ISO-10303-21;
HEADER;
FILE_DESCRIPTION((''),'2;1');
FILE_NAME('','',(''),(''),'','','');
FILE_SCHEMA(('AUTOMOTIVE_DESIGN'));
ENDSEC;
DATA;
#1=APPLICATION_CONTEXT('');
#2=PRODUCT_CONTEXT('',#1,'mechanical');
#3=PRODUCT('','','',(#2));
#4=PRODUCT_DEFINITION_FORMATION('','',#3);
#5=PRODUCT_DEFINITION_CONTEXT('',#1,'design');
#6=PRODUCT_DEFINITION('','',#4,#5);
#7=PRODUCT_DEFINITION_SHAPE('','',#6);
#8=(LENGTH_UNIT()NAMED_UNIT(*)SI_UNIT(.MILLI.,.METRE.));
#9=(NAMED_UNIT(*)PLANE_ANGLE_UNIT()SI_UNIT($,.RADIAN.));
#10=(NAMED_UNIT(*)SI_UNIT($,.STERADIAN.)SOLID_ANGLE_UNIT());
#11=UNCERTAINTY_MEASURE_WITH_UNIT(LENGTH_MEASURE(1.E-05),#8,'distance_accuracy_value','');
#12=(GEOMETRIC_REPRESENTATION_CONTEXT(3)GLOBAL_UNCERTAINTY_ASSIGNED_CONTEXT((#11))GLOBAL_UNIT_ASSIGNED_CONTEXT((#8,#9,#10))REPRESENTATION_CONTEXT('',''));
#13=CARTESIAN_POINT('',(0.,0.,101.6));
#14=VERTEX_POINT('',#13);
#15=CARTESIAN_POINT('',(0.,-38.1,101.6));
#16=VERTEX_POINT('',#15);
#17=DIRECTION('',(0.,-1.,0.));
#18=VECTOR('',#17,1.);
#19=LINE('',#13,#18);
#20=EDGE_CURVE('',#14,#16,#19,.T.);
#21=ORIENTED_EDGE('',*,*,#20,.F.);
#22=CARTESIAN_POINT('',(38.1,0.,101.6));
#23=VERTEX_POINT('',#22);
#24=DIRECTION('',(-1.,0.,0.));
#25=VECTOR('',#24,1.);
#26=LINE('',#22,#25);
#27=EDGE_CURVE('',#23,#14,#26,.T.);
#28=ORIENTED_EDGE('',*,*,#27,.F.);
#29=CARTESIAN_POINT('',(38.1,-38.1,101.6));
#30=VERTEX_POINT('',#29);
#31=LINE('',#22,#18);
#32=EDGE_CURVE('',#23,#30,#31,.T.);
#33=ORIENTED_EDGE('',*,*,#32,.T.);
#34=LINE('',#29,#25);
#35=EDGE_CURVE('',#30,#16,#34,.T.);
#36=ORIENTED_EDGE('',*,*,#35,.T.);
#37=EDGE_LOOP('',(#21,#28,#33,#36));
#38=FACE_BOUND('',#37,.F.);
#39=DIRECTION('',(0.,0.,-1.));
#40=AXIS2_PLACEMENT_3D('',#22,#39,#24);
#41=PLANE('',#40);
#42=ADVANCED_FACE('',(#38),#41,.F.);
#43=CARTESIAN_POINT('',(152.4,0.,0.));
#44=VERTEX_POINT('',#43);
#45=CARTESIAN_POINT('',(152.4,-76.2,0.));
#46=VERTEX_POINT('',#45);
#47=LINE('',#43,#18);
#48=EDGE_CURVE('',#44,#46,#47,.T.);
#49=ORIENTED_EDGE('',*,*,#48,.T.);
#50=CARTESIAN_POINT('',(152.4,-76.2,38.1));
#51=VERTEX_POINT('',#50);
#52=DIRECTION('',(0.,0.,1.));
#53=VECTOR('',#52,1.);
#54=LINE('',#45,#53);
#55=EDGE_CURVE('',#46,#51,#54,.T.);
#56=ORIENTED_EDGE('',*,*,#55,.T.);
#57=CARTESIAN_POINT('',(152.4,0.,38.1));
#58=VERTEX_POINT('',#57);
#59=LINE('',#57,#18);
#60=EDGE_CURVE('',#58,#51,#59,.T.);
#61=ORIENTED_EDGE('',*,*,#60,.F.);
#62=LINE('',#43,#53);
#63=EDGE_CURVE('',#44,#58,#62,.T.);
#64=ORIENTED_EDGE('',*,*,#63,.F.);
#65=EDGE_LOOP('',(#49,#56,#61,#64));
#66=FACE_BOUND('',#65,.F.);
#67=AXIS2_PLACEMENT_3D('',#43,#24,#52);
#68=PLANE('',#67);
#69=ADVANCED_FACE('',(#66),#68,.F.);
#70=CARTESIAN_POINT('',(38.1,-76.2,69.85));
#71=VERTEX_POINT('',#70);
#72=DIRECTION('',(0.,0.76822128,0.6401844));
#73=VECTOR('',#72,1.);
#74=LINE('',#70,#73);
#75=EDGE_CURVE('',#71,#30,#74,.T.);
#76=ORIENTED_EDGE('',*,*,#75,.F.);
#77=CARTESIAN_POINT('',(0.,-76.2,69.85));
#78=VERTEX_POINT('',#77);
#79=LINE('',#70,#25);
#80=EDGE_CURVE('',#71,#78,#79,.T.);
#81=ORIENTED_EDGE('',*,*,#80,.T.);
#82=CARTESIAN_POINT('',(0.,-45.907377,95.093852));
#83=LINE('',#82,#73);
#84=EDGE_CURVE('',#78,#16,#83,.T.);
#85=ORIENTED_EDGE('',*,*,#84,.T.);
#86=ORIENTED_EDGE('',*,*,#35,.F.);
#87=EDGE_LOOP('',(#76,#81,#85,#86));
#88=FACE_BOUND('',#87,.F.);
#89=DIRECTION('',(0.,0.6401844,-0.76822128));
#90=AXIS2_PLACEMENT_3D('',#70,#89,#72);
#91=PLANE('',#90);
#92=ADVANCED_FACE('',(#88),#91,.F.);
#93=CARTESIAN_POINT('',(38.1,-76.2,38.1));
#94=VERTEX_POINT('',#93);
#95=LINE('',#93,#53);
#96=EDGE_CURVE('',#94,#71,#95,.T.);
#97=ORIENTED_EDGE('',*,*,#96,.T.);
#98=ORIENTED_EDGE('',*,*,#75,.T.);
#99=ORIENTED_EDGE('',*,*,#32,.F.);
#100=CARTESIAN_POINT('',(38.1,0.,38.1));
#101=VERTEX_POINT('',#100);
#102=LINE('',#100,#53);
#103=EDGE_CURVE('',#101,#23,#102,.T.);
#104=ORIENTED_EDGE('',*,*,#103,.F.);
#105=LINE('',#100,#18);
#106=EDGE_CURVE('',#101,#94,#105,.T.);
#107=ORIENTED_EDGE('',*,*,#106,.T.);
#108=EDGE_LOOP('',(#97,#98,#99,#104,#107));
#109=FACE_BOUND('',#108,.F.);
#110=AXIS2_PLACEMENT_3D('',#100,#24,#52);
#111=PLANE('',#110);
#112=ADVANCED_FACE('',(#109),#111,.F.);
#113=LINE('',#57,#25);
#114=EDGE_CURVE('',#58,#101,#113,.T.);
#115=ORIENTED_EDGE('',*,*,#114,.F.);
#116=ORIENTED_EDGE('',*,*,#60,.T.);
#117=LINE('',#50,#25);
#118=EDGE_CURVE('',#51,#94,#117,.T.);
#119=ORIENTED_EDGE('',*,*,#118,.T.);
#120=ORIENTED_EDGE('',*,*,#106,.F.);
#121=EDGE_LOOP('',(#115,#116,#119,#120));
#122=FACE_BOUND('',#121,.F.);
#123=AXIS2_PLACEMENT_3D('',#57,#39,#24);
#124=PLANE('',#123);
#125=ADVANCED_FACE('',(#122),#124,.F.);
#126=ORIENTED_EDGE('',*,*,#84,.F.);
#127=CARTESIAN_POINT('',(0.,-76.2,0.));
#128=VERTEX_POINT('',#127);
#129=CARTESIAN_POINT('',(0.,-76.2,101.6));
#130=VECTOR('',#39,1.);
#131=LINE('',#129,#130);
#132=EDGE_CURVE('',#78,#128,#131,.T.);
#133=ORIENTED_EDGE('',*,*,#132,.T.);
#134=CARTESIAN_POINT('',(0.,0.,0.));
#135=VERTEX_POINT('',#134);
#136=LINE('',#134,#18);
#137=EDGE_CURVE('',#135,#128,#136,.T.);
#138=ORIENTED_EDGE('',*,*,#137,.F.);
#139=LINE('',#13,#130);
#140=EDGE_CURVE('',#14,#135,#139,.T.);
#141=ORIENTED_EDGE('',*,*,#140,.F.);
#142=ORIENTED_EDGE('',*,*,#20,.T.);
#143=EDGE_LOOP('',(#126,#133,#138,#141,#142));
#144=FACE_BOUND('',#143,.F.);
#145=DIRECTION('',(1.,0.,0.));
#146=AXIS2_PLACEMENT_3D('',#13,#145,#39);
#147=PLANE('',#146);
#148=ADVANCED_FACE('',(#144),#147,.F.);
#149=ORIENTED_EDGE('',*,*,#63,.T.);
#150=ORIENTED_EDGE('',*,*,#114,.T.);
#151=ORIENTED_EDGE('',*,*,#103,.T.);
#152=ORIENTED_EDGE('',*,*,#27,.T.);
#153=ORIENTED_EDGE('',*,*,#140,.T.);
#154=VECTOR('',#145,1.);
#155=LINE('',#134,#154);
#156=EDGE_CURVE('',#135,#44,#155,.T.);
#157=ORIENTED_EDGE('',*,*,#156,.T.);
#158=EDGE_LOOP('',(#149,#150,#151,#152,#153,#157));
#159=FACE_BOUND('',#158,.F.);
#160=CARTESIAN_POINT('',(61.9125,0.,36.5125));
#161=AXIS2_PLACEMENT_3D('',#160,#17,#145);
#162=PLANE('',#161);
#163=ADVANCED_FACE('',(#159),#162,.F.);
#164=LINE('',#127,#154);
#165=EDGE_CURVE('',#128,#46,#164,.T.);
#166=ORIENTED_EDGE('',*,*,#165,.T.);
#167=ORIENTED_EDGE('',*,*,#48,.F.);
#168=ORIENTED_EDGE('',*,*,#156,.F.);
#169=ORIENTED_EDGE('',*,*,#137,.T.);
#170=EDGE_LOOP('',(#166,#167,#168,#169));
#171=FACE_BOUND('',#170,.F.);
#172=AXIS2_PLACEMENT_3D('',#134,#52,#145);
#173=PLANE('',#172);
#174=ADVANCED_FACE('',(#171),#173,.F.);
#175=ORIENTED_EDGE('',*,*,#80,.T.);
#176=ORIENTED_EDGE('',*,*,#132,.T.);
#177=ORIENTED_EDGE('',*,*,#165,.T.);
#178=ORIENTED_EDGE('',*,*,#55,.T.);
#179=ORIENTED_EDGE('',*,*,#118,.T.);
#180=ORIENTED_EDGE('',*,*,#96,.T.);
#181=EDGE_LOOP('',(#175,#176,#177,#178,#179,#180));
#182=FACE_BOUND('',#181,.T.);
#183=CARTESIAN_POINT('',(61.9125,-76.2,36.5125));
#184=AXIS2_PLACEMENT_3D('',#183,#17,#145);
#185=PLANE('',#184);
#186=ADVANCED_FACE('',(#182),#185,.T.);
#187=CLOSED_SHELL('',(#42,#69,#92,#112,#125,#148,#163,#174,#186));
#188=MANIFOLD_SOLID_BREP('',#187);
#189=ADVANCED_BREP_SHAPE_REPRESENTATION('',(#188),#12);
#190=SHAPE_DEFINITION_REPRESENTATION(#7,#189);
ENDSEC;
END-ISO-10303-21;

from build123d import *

# Parameters (mm, degrees)
F1_DEPTH = 76.2
F3_DEPTH = 38.101


with BuildPart() as f1:
    # F0 (on Front) → F1 (new body)
    with BuildSketch(Plane.XZ):
        Polygon((0, 101.6), (0, 0), (152.4, 0), (152.4, 38.1), (38.1, 38.1), (38.1, 101.6), align=None)
    extrude(amount=F1_DEPTH)

    # F2 (on face) → F3 (cut, through all)
    with BuildSketch(Plane.YZ.offset(38.1)):
        Polygon((-76.2, 69.85), (-38.1, 101.6), (-76.2, 101.6), align=None)
    extrude(amount=-F3_DEPTH, mode=Mode.SUBTRACT)


solid = f1.part
